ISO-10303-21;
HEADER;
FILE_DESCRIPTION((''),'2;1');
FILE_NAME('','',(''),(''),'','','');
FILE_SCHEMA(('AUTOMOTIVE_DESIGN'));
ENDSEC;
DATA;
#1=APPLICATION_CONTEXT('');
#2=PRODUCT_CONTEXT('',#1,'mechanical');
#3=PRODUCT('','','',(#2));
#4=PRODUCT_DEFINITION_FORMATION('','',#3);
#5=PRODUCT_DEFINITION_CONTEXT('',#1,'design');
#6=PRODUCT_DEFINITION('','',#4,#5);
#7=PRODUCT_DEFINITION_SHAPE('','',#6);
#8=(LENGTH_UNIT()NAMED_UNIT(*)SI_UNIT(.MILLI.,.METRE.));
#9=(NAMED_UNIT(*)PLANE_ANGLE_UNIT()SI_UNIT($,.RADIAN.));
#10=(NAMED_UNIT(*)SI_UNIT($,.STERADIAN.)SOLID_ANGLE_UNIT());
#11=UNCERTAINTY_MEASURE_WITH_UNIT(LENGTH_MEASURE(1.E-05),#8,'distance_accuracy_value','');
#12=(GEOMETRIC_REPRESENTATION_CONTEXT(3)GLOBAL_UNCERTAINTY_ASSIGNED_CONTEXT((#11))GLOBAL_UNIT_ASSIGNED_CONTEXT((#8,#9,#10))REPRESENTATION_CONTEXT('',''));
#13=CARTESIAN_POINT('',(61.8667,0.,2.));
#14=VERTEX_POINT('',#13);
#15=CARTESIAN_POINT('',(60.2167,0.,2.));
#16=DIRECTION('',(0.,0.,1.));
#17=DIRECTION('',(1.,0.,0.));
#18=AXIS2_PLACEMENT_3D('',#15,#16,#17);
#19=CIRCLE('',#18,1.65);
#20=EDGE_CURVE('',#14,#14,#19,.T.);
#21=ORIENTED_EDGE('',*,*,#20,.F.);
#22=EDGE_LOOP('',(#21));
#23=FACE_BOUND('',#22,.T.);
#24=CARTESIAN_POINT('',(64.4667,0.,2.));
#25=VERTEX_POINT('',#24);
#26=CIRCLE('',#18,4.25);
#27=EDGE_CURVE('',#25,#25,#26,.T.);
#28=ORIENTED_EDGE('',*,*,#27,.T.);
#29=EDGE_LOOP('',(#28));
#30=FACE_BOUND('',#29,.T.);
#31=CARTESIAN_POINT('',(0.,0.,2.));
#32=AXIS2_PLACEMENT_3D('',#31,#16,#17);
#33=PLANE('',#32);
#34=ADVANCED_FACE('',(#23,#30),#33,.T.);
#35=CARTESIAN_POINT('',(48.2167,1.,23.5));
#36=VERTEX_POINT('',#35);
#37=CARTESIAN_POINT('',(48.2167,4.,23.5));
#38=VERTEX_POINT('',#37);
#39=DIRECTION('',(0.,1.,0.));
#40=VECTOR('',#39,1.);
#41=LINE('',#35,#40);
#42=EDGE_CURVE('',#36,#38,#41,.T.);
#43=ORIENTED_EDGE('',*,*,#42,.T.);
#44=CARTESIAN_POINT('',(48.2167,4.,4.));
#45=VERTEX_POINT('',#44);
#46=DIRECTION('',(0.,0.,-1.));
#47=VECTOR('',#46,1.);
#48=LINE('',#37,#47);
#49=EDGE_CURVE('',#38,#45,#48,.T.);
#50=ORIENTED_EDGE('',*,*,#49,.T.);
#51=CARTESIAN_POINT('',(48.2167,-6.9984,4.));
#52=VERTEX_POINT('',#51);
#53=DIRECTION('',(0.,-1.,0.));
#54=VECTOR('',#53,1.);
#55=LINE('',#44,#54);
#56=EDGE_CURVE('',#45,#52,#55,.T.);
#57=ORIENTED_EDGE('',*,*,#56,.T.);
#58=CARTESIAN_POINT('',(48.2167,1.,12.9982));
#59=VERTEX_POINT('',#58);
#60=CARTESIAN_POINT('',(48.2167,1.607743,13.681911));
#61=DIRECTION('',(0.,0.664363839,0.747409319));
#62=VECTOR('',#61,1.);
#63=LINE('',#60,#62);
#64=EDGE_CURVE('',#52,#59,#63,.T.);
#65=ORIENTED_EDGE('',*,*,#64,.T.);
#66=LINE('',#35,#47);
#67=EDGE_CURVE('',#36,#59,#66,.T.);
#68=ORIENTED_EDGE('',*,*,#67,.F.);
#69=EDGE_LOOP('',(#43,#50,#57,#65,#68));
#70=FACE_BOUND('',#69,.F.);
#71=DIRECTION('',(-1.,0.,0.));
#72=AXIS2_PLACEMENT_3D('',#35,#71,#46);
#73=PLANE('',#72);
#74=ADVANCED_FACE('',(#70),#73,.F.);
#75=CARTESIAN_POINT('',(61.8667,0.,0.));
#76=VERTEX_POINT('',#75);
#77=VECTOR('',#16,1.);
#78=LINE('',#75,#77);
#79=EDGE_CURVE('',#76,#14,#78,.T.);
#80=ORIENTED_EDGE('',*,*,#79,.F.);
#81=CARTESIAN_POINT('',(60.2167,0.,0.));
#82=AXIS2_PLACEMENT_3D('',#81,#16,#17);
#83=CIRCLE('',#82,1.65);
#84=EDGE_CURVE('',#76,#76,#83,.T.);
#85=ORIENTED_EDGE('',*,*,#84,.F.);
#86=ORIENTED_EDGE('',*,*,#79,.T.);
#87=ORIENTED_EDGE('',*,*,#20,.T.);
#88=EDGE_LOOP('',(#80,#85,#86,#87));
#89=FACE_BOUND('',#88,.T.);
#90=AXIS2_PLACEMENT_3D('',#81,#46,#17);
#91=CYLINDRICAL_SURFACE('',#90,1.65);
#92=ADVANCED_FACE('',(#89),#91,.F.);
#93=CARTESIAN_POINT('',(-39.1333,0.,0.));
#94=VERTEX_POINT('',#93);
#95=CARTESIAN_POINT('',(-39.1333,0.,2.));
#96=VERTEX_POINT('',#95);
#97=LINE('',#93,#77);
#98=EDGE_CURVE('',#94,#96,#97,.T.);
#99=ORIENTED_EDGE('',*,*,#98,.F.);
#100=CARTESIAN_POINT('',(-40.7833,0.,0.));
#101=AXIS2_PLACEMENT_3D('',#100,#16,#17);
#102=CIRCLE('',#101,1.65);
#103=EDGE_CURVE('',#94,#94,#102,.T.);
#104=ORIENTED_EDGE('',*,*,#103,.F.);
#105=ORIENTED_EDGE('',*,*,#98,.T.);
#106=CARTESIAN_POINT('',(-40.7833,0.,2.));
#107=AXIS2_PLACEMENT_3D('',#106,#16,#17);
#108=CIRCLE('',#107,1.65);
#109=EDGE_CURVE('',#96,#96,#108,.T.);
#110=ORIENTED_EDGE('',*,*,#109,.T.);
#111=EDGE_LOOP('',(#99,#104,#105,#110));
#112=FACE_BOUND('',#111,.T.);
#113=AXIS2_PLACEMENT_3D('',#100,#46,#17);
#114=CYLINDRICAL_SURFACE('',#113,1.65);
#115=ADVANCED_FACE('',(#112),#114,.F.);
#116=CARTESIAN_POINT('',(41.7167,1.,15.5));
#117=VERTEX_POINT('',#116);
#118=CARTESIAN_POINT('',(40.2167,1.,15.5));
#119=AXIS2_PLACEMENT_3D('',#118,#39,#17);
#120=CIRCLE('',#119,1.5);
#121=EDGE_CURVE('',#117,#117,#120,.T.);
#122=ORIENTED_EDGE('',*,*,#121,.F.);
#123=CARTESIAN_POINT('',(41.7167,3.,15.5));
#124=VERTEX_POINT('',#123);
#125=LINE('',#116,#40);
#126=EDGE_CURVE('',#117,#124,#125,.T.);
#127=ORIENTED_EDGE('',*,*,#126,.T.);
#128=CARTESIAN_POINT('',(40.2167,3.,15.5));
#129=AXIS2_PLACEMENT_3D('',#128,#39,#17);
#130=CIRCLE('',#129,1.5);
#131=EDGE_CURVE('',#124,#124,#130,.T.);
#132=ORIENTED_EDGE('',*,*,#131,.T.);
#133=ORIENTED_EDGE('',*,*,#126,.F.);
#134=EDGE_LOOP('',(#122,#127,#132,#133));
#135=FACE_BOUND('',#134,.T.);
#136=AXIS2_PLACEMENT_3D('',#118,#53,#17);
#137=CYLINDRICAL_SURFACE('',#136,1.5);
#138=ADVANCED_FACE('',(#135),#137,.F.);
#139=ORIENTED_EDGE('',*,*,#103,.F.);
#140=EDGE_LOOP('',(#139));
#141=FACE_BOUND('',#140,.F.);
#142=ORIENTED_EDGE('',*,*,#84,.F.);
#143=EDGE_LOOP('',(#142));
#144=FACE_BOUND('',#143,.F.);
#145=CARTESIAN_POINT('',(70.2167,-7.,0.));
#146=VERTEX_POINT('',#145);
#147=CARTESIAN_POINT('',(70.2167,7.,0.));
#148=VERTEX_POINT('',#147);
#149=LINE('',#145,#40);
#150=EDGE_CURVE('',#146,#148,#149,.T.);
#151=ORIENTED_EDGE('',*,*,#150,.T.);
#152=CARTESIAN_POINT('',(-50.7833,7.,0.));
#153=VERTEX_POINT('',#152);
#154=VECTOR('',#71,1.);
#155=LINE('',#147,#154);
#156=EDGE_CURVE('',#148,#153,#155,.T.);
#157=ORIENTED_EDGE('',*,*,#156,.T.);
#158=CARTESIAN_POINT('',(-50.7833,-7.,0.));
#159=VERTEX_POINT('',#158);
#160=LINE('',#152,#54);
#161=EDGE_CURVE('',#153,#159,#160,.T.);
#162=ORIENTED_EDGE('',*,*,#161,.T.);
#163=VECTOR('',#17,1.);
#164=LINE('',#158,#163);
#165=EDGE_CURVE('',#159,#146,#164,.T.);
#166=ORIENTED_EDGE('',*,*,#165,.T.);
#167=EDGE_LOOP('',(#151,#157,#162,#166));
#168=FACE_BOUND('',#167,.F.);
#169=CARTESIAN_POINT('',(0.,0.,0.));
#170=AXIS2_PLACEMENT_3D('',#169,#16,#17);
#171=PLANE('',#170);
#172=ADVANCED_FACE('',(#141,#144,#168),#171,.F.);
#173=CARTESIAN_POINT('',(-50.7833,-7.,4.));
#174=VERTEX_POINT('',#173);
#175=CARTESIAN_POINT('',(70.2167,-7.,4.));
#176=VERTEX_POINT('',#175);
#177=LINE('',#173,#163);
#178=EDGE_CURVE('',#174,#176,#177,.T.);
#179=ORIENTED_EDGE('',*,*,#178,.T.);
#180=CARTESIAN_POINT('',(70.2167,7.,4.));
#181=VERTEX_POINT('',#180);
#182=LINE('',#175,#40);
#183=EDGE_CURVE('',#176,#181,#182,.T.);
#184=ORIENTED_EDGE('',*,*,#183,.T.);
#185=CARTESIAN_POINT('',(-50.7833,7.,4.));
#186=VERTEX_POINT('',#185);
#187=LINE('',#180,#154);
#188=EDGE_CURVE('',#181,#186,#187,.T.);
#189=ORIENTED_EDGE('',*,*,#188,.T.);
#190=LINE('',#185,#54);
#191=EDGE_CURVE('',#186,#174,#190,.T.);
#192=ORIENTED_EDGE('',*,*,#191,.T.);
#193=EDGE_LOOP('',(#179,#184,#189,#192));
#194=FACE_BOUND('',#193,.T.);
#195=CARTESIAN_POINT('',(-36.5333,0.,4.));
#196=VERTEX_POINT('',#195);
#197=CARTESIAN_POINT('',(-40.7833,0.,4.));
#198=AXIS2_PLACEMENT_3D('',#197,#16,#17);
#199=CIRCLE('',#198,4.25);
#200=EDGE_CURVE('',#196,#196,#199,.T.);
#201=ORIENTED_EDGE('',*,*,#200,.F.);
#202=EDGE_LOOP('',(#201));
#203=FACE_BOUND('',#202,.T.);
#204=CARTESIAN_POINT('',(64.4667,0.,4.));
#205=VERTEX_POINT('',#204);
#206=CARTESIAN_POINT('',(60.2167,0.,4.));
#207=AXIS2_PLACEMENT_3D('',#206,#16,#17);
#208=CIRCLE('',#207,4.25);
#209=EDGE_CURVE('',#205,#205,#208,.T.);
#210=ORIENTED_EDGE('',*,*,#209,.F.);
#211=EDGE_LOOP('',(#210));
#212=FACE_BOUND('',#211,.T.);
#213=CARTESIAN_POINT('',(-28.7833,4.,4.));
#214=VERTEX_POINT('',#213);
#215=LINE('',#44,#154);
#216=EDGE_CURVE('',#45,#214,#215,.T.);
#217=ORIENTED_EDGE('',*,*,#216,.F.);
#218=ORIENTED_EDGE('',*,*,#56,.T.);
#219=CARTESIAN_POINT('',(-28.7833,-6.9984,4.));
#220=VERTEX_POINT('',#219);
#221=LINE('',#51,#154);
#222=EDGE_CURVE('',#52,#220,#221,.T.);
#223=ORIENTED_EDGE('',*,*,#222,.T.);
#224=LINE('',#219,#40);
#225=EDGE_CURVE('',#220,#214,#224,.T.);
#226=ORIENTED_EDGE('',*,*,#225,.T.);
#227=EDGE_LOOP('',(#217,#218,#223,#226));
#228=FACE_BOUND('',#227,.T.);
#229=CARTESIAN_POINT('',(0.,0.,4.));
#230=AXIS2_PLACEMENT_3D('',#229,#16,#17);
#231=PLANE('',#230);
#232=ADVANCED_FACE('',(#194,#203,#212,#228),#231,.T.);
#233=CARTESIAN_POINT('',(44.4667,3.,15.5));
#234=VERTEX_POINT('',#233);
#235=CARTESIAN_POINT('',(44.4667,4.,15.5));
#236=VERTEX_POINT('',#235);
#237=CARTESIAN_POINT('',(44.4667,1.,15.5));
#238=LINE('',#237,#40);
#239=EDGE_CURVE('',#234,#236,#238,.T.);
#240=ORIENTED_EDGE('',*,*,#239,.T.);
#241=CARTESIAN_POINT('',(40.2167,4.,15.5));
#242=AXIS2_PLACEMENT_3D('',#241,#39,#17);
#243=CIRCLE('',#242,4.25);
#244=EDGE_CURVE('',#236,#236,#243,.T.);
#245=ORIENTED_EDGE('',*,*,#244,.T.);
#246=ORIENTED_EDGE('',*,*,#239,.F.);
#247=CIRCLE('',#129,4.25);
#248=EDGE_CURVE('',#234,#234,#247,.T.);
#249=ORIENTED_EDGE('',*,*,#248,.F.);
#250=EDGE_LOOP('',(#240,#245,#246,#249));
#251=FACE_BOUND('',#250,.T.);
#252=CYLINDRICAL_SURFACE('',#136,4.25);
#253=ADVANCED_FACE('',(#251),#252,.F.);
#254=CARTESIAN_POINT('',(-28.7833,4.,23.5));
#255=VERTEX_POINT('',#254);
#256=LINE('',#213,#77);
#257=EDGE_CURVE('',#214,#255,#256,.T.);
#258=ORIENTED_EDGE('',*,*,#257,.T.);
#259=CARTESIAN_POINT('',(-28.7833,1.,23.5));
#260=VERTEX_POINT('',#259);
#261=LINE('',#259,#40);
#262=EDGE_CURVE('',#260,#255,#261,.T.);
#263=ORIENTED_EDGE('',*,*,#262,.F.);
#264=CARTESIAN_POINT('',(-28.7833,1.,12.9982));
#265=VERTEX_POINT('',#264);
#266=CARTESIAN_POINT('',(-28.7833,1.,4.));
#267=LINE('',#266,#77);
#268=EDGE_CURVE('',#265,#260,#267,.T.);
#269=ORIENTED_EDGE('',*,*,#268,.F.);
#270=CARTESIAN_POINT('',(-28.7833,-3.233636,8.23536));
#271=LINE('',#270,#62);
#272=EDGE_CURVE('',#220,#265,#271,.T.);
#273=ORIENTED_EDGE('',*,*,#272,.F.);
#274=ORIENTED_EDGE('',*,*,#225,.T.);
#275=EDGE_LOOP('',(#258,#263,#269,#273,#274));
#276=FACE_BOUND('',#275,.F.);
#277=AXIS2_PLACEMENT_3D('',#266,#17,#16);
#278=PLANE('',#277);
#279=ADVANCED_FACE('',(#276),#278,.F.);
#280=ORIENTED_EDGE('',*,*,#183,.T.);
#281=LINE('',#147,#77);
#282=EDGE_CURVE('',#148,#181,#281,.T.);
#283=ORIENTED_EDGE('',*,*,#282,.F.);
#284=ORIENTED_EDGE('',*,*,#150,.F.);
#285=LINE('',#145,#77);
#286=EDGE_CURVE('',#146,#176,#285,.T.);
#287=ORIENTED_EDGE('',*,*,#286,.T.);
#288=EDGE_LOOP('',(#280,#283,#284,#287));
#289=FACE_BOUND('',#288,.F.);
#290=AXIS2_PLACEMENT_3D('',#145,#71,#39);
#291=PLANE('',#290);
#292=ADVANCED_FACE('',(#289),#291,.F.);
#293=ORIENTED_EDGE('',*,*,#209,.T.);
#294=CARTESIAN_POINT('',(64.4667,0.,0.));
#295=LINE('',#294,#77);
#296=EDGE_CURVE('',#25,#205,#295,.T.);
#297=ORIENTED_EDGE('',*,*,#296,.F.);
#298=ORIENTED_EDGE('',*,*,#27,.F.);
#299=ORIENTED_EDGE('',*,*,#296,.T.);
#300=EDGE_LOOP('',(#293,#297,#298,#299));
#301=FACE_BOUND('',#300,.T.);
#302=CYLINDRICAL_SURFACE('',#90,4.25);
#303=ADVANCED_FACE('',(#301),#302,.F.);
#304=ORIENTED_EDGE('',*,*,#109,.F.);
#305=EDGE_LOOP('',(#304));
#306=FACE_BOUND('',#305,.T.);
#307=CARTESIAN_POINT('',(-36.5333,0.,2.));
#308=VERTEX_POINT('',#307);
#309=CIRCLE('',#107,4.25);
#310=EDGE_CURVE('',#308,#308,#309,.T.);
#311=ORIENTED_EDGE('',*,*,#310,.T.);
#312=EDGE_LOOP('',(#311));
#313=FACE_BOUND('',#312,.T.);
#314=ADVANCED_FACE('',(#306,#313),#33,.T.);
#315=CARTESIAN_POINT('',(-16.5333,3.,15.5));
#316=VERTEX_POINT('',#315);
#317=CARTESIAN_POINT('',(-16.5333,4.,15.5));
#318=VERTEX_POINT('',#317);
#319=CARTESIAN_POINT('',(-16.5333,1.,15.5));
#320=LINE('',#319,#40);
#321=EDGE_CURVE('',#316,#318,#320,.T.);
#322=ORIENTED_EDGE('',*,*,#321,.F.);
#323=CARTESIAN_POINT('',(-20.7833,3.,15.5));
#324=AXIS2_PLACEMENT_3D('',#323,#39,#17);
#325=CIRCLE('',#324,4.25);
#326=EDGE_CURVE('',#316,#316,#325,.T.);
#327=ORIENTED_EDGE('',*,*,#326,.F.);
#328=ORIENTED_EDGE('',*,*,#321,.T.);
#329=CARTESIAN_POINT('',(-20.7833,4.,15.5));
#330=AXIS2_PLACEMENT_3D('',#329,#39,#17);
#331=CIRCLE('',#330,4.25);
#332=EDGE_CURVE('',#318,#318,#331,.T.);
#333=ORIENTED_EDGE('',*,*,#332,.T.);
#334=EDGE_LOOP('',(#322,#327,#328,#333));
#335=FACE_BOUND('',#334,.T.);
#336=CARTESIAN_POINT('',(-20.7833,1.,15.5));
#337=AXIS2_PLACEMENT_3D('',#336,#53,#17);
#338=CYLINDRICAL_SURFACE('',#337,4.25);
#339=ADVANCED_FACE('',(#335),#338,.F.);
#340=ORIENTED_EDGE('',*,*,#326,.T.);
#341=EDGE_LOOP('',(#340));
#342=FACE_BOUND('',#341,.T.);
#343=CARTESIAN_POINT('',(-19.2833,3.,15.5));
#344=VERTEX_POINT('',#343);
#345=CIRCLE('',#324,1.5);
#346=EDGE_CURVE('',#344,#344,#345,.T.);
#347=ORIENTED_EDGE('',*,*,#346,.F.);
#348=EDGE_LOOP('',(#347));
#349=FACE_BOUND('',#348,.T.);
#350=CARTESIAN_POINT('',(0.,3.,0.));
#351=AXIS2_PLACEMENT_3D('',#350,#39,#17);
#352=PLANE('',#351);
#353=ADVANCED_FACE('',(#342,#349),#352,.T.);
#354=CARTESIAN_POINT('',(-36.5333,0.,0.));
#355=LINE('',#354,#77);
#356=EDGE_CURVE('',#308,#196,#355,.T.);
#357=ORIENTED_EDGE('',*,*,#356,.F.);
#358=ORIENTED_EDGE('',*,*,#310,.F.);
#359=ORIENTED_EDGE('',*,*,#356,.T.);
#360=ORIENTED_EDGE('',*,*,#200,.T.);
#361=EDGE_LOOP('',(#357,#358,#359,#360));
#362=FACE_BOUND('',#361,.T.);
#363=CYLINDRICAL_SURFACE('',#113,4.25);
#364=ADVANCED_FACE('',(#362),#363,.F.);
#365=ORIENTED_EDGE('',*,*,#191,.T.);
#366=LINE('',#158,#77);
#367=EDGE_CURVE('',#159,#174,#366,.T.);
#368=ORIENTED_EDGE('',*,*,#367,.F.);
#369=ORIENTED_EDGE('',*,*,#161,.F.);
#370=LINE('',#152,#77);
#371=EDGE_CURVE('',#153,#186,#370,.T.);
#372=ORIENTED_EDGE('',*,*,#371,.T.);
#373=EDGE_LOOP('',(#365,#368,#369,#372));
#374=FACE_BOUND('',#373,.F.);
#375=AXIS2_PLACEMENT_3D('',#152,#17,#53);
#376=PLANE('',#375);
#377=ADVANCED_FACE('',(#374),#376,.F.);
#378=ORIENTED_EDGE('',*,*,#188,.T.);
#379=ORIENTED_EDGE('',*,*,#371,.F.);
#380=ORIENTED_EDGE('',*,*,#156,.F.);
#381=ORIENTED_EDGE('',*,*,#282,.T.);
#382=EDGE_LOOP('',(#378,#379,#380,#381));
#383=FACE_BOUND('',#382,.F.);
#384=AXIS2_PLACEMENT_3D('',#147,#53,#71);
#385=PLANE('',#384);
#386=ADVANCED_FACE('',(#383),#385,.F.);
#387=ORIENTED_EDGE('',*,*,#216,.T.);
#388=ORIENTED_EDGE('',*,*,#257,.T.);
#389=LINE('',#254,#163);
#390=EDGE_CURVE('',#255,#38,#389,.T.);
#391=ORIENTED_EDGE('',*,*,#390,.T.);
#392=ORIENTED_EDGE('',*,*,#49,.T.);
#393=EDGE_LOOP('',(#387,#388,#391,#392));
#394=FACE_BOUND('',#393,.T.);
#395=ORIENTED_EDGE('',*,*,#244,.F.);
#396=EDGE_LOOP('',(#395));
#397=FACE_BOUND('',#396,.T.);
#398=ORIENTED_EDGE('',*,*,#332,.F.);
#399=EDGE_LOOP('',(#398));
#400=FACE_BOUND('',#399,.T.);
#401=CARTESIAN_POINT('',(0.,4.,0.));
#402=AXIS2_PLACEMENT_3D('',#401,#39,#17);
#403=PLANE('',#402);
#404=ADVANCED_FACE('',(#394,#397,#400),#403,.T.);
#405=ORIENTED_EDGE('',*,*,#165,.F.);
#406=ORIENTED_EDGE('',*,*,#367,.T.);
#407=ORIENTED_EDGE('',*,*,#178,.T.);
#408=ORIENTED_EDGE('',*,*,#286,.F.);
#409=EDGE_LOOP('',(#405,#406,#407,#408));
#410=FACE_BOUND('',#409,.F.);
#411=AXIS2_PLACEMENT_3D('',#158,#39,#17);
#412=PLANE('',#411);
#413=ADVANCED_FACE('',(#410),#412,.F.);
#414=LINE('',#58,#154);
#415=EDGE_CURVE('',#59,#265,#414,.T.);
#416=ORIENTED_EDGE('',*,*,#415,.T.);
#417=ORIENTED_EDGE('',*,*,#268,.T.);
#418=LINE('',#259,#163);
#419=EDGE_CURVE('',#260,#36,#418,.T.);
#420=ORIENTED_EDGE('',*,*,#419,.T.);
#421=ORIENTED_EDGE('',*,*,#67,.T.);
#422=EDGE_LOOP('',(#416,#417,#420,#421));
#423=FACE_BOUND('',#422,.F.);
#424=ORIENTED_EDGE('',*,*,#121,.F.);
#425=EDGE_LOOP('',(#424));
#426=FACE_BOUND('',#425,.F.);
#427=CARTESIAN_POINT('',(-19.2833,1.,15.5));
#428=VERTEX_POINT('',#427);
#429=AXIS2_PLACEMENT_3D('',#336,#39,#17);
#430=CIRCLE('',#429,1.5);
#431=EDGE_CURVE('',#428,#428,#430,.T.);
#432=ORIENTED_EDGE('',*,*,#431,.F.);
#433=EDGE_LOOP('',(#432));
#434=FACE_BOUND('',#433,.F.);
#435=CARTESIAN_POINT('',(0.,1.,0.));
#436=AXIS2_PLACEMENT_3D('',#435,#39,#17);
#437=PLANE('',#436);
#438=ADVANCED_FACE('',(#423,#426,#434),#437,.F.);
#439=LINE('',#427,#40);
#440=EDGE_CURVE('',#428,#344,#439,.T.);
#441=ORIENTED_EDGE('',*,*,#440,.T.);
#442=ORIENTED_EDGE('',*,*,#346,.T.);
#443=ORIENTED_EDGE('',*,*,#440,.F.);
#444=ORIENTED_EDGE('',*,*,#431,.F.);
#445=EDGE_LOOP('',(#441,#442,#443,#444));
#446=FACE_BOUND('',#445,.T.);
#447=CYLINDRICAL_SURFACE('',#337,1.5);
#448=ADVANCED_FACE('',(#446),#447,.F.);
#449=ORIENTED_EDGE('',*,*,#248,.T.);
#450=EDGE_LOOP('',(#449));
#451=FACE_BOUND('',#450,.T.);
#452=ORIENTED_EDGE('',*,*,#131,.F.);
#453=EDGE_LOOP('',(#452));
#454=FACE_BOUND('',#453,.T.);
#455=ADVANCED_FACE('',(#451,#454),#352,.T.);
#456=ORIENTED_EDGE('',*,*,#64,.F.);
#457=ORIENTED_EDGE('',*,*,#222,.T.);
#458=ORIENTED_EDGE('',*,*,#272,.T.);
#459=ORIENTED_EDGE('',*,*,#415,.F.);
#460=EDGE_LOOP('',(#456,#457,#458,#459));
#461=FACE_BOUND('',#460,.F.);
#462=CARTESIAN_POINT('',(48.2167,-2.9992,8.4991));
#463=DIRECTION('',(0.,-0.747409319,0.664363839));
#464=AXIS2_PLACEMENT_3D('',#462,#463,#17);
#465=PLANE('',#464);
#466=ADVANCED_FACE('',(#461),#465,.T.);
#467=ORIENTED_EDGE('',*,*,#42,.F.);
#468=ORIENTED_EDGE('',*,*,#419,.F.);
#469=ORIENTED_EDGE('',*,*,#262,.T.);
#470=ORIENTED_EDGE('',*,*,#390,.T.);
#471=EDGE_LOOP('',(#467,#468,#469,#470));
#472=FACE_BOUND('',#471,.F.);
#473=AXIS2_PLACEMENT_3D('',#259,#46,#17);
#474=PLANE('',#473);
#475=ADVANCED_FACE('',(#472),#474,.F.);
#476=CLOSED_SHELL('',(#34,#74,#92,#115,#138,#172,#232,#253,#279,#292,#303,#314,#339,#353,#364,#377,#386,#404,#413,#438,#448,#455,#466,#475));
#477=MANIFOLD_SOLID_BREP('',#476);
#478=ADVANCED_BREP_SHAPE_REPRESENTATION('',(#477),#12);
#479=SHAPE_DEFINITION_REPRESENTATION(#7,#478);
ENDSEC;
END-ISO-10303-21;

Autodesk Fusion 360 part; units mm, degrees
sketch "Sketch1" plane through (0, 0, 0) normal (0, 0, 1) x (1, 0, 0)
  circle A0 centre (-40.7833, 0) radius 4.25
  circle A1 centre (60.2167, 0) radius 1.65
  circle A2 centre (60.2167, 0) radius 4.25
  circle A3 centre (19.2167, 0) radius 1.65
  circle A4 centre (19.2167, 0) radius 4.25
  circle A5 centre (-40.7833, 0) radius 1.65
  line L0 (-50.7833, -7) -> (70.2167, -7)
  line L1 (70.2167, -7) -> (70.2167, 7)
  line L2 (70.2167, 7) -> (-50.7833, 7)
  line L3 (-50.7833, 7) -> (-50.7833, -7)
  dimension "d3" = 8.5
  dimension "d4" = 3.3
  dimension "d5" = 8.5
  dimension "d6" = 3.3
  dimension "d7" = 8.5
  dimension "d8" = 60
  dimension "d9" = 41
  dimension "d10" = 3.3
  dimension "d11" = 14
  dimension "d12" = 10
  dimension "d13" = 10
  dimension "d14" = 7
extrude "Extrude1" add sketch "Sketch1" along normal blind 2 contours A0 | A2 makes body 1 at (-36.5386, -0.2118, 1.3333) makes body 2 at (64.4614, -0.2118, 1.3333)
extrude "Extrude2" add sketch "Sketch1" along normal blind 4 contours A3 | A4 | L0 L1 L2 L3 bodies 1 2
sketch "Sketch2" plane through (0, 0, 0) normal (0, 1, 0) x (1, 0, 0)
  circle A0 centre (-20.7833, -15.5) radius 1.5
  circle A1 centre (-20.7833, -15.5) radius 4.25
  line L0 (70.2167, 0) -> (-50.7833, 0)
  circle A2 centre (40.2167, -15.5) radius 1.5
  circle A3 centre (40.2167, -15.5) radius 4.25
  line L1 (-28.7833, -23.5) -> (48.2167, -23.5)
  line L2 (48.2167, -23.5) -> (48.2167, -4)
  line L3 (48.2167, -4) -> (-28.7833, -4)
  line L4 (-28.7833, -4) -> (-28.7833, -23.5)
  line L5 (70.2167, -4) -> (-50.7833, -4)
  point P0 (-50.7833, 0)
  point P1 (70.2167, 0)
  dimension "d19" = 3
  dimension "d20" = 8.5
  dimension "d21" = 15.5
  dimension "d22" = 3
  dimension "d23" = 8.5
  dimension "d24" = 15.5
  dimension "d25" = 30
  dimension "d27" = 8
  dimension "d28" = 8
  dimension "d29" = 8
  dimension "d36" = 61
extrude "Extrude3" add sketch "Sketch2" along normal blind 3 from surface at 1 contours L1 L2 L3 L4 L5 bodies 1
extrude "Extrude4" add sketch "Sketch2" along normal blind 2 from surface at 1 contours A1 | A3 bodies 1
chamfer "Chamfer1" distance 8 distance2 9 1 edges at (9.7167, 1, 4) measured on face at (68.3001, 0, 4) on bodies 1
